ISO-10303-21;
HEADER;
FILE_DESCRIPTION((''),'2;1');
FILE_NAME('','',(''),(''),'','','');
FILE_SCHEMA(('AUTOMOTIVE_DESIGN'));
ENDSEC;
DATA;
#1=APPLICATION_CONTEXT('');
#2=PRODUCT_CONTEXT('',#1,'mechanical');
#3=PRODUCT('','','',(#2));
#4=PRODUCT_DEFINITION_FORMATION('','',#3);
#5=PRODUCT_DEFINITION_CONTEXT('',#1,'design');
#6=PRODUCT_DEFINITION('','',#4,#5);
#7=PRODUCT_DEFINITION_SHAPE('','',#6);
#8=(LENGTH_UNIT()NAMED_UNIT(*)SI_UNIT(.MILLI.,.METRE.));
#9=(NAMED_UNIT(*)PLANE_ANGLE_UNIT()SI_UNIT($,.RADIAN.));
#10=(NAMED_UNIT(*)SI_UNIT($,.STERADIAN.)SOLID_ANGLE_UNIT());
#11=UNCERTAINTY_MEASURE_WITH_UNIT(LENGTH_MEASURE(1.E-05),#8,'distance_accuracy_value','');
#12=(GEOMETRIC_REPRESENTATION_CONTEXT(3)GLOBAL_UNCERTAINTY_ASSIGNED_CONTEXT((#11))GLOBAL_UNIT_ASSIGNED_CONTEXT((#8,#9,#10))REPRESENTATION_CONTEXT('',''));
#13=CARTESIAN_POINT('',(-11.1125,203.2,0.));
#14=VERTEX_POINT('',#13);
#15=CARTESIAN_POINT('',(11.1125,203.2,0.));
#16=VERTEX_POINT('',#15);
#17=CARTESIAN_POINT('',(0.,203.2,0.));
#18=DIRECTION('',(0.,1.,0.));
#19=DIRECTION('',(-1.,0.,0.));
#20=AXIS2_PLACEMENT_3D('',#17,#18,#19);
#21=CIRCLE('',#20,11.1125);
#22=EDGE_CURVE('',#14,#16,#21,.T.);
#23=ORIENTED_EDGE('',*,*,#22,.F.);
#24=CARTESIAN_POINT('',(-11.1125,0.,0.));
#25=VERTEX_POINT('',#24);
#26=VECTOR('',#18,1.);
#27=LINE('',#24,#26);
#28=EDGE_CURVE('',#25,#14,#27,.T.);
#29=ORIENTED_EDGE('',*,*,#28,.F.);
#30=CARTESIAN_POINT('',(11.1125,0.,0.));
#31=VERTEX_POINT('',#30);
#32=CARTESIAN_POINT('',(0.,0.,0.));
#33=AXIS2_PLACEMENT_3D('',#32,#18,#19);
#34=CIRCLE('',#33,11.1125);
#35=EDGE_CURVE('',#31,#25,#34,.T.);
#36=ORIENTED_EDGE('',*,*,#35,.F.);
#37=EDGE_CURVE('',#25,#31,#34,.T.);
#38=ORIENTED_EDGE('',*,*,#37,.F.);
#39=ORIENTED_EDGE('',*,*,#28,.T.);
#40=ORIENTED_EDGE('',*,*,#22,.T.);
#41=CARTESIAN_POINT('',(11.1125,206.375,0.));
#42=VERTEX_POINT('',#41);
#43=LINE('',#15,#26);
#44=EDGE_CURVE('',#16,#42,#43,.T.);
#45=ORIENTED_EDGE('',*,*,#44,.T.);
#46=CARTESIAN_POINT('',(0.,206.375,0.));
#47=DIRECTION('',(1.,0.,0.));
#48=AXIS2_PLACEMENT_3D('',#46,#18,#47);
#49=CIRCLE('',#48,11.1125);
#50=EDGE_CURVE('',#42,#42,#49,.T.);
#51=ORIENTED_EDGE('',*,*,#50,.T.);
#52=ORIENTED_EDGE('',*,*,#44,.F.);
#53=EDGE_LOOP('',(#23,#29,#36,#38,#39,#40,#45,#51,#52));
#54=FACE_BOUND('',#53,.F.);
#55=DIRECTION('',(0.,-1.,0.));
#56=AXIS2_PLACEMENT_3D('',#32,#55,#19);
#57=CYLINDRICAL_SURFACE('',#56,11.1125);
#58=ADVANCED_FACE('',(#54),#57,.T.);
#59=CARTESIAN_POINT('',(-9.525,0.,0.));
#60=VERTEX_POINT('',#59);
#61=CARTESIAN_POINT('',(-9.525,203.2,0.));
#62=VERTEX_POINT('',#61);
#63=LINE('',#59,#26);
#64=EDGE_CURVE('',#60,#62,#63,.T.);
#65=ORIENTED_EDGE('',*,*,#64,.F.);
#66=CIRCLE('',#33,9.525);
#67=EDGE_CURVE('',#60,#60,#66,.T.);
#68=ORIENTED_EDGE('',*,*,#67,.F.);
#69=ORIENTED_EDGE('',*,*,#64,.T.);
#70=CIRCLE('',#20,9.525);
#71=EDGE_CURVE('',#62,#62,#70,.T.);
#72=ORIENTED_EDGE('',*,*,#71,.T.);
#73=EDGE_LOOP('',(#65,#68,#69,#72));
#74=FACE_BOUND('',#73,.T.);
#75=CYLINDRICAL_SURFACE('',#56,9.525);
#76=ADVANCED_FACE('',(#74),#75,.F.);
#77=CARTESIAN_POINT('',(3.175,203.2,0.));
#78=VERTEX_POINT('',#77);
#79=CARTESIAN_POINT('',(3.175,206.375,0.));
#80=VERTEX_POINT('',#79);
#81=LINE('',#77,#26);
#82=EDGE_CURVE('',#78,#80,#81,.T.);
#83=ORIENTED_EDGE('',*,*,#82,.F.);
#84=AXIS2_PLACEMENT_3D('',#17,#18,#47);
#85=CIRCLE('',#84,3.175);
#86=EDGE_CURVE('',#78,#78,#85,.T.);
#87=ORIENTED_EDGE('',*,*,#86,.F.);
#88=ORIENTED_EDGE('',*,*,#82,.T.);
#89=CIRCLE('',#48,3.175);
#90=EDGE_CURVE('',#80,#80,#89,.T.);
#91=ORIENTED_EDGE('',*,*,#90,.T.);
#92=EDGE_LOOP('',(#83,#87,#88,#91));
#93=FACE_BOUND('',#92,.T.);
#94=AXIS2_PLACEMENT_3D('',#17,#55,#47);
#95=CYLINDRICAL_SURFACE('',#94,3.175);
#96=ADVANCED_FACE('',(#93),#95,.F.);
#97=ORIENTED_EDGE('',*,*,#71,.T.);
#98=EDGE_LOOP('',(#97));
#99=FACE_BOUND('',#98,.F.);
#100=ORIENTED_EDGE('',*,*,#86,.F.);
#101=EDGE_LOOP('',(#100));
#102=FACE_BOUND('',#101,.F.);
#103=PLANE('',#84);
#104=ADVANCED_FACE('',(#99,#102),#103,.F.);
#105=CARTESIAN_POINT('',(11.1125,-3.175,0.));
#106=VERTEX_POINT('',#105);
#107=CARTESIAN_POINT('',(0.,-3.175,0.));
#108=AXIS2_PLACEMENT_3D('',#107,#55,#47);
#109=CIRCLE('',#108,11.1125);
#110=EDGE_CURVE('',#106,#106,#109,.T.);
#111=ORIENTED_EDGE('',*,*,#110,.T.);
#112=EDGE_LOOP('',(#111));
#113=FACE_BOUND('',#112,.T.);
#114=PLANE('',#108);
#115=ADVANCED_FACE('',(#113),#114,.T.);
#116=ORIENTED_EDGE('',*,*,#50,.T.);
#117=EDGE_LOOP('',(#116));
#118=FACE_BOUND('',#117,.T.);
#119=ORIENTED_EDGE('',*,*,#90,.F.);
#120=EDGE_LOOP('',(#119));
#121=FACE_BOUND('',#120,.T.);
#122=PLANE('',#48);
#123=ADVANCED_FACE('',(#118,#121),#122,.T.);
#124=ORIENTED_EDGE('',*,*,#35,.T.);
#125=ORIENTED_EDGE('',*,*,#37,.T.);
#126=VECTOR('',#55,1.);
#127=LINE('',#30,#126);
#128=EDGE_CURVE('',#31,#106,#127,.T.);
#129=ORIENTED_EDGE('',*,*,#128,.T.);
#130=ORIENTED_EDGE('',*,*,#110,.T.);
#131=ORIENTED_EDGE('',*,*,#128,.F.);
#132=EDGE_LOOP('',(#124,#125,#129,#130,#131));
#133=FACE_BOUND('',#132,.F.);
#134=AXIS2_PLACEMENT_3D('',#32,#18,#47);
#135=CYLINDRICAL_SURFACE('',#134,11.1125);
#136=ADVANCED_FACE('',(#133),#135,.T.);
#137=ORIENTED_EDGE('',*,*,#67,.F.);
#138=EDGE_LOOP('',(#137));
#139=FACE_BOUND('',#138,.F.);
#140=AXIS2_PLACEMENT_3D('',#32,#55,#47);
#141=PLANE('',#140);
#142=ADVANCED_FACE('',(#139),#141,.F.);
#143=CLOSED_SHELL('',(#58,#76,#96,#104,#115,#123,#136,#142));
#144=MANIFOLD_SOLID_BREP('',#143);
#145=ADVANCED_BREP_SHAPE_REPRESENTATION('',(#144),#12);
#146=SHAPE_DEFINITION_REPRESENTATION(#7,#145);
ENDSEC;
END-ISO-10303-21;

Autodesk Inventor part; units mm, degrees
ref_plane "YZ Plane" through (0, 0, 0) normal (1, 0, 0) x (0, 1, 0)
ref_plane "XZ Plane" through (0, 0, 0) normal (0, 1, 0) x (-1, 0, 0)
ref_plane "XY Plane" through (0, 0, 0) normal (0, 0, 1) x (1, 0, 0)
sketch "Sketch1" plane through (0, 0, 0) normal (0, 1, 0) x (-1, 0, 0)
  circle A0 centre (0, 0) radius 11.1125
  circle A1 centre (0, 0) radius 9.525
  dimension "d0" = 22.225
  dimension "d1" = 19.05
extrude "Extrusion1" add sketch "Sketch1" along normal blind 203.2
sketch "Sketch2" plane through (0, 203.2, 0) normal (0, 1, 0) x (1, 0, 0)
  circle A0 centre (0, 0) radius 11.1125
  circle A1 centre (0, 0) radius 3.175
  dimension "d4" = 6.35
extrude "Extrusion2" add sketch "Sketch2" along normal blind 3.175
sketch "Sketch3" plane through (0, 0, 0) normal (0, -1, 0) x (1, 0, 0)
  circle A0 centre (0, 0) radius 11.1125 projected
extrude "Extrusion3" add sketch "Sketch3" along normal blind 3.175
properties part number "Cylinder"
